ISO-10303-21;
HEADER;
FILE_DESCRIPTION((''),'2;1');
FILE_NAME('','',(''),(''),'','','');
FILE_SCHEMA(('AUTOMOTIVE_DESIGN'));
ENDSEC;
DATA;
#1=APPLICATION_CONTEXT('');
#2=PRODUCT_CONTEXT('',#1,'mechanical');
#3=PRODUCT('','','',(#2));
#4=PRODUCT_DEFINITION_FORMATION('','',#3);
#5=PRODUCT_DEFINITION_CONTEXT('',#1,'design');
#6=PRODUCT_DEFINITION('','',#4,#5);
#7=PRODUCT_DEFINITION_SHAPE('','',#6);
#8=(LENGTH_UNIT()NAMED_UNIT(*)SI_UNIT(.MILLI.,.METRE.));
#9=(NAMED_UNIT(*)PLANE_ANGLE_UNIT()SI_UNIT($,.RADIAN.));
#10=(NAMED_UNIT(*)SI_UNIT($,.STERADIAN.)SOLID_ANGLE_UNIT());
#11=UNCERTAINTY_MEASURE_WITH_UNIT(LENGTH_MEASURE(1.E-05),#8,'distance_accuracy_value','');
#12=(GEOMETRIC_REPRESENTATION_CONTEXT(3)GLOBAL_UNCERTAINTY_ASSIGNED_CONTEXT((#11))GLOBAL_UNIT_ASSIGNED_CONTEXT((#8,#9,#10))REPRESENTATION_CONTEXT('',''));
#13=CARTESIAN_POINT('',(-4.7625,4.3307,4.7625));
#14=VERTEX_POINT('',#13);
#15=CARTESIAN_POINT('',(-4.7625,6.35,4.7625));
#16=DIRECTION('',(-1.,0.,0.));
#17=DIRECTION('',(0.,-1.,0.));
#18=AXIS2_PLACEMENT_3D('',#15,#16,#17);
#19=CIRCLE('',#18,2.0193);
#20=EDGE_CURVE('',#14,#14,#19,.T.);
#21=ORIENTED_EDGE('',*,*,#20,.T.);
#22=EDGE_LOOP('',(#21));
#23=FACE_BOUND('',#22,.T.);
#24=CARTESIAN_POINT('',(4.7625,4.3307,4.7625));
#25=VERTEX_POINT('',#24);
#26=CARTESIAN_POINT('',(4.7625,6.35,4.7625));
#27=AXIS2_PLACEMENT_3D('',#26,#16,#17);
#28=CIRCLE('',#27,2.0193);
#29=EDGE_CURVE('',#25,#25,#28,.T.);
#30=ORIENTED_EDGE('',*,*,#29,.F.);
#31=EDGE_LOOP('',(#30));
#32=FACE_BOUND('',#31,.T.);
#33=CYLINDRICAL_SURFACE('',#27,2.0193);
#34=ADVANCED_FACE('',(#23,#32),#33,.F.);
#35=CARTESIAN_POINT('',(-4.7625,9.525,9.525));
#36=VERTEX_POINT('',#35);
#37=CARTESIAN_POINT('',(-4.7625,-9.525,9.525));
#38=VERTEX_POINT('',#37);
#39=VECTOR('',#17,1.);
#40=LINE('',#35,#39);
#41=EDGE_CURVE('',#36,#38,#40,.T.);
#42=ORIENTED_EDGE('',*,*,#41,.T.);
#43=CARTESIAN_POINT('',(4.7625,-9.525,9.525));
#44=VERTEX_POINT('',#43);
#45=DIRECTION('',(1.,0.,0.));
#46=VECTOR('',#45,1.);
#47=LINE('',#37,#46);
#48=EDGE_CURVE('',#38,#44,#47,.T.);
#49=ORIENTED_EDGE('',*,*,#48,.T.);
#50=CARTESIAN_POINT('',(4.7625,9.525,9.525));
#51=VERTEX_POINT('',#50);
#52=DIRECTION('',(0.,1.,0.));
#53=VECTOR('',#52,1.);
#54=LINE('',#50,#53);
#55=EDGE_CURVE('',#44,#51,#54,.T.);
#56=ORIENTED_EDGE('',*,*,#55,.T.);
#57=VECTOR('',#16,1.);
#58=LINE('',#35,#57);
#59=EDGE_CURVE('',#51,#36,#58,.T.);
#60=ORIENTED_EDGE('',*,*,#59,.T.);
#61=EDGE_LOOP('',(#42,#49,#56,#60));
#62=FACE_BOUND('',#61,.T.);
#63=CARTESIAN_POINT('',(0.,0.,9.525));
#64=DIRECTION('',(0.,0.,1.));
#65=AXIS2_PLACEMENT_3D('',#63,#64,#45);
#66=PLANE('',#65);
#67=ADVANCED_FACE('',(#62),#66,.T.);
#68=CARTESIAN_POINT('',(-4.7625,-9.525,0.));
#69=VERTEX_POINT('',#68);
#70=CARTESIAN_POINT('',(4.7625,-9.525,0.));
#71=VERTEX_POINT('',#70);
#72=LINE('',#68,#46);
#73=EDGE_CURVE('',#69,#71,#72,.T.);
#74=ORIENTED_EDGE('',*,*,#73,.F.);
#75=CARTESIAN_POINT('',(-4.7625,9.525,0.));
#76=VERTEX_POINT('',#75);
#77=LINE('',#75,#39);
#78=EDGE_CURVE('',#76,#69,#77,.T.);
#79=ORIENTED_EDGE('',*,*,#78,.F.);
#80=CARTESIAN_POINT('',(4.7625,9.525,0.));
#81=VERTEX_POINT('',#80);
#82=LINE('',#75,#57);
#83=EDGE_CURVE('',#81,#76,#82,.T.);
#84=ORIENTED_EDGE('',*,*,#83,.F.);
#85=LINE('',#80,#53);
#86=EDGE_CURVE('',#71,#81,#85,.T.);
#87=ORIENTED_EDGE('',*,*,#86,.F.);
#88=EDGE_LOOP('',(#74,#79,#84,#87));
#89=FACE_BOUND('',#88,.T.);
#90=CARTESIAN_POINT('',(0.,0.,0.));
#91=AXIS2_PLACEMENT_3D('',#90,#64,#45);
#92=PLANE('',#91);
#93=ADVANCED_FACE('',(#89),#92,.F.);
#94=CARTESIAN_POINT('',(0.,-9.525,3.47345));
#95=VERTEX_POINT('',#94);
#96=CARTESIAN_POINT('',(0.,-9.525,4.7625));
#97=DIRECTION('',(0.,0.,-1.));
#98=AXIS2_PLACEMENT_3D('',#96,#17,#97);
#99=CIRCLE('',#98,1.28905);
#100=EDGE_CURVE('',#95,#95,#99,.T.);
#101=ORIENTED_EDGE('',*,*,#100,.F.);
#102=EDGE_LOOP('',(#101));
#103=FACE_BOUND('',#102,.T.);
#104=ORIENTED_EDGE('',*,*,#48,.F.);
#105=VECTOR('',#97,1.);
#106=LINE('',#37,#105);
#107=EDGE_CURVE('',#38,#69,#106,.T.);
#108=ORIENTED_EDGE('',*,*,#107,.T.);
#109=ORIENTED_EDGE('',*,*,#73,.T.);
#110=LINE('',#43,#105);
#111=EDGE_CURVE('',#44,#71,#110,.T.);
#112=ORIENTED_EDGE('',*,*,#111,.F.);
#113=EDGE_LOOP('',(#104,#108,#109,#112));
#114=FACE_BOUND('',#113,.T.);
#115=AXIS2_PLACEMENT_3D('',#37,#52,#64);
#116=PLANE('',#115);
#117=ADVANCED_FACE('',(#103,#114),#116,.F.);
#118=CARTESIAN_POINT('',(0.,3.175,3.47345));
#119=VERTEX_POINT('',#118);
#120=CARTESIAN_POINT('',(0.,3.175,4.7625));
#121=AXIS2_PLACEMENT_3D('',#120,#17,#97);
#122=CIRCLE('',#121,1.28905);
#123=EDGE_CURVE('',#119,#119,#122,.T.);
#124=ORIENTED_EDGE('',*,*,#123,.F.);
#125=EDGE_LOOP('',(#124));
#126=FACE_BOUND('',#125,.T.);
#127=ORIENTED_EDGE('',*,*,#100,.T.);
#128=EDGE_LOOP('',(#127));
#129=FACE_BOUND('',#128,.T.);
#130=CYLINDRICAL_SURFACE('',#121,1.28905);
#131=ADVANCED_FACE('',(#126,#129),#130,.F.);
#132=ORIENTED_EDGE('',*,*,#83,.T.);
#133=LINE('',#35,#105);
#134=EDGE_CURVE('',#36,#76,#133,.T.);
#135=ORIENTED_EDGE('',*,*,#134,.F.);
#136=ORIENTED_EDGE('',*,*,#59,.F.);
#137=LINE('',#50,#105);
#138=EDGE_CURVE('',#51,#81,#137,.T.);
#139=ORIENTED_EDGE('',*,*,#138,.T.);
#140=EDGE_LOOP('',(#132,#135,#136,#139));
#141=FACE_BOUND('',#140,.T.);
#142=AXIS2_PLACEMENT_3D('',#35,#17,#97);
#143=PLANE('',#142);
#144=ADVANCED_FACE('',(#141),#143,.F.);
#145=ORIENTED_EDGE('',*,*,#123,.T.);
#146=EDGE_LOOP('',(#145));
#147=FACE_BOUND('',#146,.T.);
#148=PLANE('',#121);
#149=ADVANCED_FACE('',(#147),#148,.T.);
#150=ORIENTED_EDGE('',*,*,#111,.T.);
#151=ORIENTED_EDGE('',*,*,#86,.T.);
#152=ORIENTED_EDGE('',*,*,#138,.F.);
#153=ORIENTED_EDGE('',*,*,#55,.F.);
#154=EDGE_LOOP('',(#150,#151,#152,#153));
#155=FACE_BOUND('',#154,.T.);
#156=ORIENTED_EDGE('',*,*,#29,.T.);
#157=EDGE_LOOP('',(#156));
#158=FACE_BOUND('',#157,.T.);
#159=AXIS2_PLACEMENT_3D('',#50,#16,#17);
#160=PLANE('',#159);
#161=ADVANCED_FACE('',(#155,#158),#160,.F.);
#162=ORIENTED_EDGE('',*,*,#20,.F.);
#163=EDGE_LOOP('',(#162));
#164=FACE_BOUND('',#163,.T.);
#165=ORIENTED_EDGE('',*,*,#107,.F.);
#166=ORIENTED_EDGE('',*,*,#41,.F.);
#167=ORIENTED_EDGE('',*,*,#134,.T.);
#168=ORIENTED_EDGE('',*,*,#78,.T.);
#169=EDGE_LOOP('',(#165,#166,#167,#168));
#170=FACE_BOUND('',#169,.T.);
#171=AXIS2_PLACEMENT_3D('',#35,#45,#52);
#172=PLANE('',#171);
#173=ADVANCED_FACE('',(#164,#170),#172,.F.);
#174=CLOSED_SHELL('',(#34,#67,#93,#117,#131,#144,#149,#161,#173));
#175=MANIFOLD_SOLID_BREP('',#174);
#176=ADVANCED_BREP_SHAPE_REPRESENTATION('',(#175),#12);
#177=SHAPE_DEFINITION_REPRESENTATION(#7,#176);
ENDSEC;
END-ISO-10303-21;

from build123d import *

# Parameters (mm, degrees)
SKETCH1_W           = 9.525
SKETCH1_H           = 19.05
BOSS_EXTRUDE1_DEPTH = 9.525
SKETCH2_R           = 1.28905
CUT_EXTRUDE1_DEPTH  = 12.7
SKETCH4_R           = 2.0193
CUT_EXTRUDE2_DEPTH  = 17.497783942


with BuildPart() as part:
    # Sketch1 → Boss-Extrude1 (new body)
    with BuildSketch(Plane.XY):
        Rectangle(SKETCH1_W, SKETCH1_H)
    extrude(amount=BOSS_EXTRUDE1_DEPTH)

    # Sketch2 → Cut-Extrude1 (cut)
    with BuildSketch(Plane.XZ.offset(9.525)):
        with Locations(Location((0, 4.7625, 0), (0, 0, 270))):
            Circle(SKETCH2_R)
    extrude(amount=-CUT_EXTRUDE1_DEPTH, mode=Mode.SUBTRACT)

    # Sketch4 → Cut-Extrude2 (cut, through all)
    with BuildSketch(Plane.ZY.offset(4.7625)):
        with Locations(Location((4.7625, 6.35, 0), (0, 0, 270))):
            Circle(SKETCH4_R)
    extrude(amount=-CUT_EXTRUDE2_DEPTH, mode=Mode.SUBTRACT)


solid = part.part
